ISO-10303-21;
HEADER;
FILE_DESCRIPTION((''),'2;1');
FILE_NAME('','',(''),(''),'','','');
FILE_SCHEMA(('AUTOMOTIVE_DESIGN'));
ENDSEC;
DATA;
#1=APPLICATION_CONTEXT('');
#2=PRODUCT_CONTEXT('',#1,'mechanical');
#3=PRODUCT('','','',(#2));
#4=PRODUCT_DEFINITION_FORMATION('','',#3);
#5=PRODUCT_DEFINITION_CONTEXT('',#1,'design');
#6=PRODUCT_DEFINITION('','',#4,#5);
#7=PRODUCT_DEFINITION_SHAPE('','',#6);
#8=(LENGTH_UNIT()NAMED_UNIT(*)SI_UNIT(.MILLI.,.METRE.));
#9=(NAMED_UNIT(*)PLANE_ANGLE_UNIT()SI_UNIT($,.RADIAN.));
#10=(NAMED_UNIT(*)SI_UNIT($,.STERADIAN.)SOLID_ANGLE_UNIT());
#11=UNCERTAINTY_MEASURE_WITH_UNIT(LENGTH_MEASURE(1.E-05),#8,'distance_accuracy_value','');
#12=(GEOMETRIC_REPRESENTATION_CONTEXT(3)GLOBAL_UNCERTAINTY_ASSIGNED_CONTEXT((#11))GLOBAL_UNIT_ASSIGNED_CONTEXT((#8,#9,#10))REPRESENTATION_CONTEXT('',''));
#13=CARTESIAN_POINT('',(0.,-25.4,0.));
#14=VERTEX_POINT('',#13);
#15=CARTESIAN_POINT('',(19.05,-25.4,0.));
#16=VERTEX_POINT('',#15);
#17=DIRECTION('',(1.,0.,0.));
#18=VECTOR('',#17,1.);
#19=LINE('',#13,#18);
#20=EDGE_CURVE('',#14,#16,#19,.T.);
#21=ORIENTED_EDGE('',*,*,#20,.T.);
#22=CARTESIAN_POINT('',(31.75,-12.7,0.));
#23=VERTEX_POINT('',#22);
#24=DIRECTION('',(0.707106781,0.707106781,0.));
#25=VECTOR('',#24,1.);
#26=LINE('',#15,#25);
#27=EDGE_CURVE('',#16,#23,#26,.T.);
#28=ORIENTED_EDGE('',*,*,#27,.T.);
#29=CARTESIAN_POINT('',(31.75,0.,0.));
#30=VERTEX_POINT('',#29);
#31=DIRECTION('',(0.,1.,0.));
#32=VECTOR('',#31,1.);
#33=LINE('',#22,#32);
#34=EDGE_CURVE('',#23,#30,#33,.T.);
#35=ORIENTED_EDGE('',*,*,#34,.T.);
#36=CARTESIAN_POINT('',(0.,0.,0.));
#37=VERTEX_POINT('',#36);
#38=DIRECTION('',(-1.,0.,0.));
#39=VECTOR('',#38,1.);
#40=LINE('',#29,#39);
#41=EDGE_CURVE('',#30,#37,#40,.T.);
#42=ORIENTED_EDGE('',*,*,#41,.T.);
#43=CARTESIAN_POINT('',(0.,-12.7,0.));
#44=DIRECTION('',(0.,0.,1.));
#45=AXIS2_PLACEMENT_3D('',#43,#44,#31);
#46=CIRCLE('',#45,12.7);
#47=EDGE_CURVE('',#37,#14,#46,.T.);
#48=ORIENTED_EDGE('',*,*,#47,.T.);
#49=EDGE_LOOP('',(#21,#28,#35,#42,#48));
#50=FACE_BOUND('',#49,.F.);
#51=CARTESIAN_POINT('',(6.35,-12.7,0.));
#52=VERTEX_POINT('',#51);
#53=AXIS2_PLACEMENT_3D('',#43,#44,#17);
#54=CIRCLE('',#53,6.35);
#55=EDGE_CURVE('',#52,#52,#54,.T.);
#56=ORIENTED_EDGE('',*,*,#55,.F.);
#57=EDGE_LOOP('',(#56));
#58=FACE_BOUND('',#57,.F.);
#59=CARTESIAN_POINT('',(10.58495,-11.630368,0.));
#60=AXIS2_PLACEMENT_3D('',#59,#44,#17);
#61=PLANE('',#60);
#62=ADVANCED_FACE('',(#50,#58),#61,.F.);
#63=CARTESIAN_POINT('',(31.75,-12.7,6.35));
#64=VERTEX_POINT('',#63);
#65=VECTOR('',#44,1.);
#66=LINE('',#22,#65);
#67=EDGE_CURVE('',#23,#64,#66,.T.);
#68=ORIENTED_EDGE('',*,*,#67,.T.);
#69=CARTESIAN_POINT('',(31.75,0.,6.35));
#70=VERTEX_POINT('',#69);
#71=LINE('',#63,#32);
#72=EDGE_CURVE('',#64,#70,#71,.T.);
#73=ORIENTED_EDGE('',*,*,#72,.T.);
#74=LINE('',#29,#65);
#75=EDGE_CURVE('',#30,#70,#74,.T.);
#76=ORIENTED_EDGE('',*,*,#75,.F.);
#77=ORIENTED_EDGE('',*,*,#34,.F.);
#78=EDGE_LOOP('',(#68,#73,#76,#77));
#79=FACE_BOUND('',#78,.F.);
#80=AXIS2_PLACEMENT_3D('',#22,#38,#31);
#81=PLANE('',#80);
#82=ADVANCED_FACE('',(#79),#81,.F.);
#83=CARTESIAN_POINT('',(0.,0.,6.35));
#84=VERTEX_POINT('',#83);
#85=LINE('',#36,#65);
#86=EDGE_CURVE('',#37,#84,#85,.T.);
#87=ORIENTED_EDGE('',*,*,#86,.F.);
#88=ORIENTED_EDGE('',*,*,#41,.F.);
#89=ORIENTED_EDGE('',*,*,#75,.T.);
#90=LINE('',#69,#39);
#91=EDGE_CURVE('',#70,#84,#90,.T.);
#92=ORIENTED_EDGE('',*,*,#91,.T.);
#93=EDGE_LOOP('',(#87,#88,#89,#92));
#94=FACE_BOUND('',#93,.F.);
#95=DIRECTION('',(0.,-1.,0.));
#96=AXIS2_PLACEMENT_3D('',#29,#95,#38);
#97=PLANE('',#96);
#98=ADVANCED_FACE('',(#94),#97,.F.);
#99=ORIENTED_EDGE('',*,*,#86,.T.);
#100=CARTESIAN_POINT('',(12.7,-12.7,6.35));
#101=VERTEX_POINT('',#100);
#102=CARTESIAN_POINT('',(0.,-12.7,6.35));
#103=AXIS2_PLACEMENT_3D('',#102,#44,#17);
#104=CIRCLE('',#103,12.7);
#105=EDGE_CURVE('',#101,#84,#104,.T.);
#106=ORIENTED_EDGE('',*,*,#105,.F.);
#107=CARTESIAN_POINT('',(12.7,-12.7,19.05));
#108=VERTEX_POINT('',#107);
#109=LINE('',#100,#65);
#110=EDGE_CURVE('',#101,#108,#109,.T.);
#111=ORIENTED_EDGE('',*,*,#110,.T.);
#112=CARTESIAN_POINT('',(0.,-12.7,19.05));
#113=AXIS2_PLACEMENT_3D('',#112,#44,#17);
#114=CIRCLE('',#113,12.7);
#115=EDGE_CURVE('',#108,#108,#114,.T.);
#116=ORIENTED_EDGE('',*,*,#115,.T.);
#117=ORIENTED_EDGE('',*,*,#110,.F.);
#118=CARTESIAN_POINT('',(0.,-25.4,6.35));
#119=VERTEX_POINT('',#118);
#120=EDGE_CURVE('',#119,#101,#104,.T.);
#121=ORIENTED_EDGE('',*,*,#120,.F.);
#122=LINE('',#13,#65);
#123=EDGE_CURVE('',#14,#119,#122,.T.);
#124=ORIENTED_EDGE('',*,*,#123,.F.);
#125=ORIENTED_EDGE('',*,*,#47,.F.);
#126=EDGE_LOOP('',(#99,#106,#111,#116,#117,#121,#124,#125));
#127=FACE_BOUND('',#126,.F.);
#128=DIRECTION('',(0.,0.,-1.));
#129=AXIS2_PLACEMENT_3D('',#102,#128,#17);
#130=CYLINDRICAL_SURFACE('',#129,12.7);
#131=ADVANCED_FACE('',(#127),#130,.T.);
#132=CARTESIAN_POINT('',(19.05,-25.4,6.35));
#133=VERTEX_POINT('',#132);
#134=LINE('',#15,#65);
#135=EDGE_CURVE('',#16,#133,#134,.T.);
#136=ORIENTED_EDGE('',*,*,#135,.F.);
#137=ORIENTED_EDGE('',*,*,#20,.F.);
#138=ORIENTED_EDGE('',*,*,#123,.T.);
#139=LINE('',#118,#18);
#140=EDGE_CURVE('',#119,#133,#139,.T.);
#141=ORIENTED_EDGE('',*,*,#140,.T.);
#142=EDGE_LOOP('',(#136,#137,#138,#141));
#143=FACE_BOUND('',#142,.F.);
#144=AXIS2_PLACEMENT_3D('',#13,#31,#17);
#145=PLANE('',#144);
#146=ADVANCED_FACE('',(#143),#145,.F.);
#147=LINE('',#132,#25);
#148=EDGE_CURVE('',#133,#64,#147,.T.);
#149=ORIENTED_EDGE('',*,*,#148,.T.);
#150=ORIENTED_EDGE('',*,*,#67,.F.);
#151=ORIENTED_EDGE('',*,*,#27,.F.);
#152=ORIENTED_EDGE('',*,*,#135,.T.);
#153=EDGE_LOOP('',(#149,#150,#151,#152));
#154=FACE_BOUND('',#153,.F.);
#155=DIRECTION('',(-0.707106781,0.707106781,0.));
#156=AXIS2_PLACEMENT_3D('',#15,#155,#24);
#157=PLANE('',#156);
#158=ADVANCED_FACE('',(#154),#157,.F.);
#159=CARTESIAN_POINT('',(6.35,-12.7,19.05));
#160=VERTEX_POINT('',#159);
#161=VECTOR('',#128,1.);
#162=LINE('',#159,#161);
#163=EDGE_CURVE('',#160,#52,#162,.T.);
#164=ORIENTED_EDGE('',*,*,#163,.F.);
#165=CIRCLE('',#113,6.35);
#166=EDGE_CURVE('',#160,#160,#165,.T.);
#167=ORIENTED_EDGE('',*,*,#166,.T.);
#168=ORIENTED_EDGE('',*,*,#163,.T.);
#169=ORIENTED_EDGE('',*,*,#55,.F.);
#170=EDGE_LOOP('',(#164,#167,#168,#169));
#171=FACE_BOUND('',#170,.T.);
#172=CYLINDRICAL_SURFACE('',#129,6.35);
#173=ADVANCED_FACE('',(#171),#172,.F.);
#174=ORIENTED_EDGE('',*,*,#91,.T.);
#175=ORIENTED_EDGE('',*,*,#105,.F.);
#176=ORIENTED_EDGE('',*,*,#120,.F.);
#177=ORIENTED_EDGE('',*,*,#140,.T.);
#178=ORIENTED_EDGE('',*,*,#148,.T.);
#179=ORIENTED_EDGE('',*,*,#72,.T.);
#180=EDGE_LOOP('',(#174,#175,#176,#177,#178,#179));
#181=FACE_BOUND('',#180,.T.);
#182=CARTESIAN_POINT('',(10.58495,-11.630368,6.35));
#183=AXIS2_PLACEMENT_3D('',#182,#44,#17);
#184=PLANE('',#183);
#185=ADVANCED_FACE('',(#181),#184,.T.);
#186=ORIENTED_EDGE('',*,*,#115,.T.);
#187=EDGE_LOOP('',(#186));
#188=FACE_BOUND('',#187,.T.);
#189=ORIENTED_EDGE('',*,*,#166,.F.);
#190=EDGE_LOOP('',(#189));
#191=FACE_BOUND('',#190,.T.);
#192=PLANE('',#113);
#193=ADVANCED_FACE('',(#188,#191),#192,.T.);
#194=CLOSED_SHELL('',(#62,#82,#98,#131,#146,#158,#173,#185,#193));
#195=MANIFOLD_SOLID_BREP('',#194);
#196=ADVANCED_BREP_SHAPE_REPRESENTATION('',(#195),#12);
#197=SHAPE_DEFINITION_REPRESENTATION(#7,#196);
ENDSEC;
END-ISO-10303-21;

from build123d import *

# Parameters (mm, degrees)
F0_R     = 6.35
F1_DEPTH = 6.35
F2_R     = 12.7
F2_R_2   = 6.35
F3_DEPTH = 12.7


with BuildPart() as f1:
    # F0 (on Top) → F1 (new body)
    with BuildSketch(Plane.XY):
        with BuildLine():
            Line((31.75, 0), (0, 0))
            ThreePointArc((0, 0), (-12.7, -12.7), (0, -25.4))
            Line((0, -25.4), (19.05, -25.4))
            Line((19.05, -25.4), (31.75, -12.7))
            Line((31.75, -12.7), (31.75, 0))
        make_face()
        with Locations((0, -12.7)):
            Circle(F0_R, mode=Mode.SUBTRACT)
    extrude(amount=F1_DEPTH)

    # F2 (on face) → F3 (join)
    with BuildSketch(Plane.XY.offset(6.35)):
        with Locations((0, -12.7)):
            Circle(F2_R)
        with Locations((0, -12.7)):
            Circle(F2_R_2, mode=Mode.SUBTRACT)
    extrude(amount=F3_DEPTH)


solid = f1.part
